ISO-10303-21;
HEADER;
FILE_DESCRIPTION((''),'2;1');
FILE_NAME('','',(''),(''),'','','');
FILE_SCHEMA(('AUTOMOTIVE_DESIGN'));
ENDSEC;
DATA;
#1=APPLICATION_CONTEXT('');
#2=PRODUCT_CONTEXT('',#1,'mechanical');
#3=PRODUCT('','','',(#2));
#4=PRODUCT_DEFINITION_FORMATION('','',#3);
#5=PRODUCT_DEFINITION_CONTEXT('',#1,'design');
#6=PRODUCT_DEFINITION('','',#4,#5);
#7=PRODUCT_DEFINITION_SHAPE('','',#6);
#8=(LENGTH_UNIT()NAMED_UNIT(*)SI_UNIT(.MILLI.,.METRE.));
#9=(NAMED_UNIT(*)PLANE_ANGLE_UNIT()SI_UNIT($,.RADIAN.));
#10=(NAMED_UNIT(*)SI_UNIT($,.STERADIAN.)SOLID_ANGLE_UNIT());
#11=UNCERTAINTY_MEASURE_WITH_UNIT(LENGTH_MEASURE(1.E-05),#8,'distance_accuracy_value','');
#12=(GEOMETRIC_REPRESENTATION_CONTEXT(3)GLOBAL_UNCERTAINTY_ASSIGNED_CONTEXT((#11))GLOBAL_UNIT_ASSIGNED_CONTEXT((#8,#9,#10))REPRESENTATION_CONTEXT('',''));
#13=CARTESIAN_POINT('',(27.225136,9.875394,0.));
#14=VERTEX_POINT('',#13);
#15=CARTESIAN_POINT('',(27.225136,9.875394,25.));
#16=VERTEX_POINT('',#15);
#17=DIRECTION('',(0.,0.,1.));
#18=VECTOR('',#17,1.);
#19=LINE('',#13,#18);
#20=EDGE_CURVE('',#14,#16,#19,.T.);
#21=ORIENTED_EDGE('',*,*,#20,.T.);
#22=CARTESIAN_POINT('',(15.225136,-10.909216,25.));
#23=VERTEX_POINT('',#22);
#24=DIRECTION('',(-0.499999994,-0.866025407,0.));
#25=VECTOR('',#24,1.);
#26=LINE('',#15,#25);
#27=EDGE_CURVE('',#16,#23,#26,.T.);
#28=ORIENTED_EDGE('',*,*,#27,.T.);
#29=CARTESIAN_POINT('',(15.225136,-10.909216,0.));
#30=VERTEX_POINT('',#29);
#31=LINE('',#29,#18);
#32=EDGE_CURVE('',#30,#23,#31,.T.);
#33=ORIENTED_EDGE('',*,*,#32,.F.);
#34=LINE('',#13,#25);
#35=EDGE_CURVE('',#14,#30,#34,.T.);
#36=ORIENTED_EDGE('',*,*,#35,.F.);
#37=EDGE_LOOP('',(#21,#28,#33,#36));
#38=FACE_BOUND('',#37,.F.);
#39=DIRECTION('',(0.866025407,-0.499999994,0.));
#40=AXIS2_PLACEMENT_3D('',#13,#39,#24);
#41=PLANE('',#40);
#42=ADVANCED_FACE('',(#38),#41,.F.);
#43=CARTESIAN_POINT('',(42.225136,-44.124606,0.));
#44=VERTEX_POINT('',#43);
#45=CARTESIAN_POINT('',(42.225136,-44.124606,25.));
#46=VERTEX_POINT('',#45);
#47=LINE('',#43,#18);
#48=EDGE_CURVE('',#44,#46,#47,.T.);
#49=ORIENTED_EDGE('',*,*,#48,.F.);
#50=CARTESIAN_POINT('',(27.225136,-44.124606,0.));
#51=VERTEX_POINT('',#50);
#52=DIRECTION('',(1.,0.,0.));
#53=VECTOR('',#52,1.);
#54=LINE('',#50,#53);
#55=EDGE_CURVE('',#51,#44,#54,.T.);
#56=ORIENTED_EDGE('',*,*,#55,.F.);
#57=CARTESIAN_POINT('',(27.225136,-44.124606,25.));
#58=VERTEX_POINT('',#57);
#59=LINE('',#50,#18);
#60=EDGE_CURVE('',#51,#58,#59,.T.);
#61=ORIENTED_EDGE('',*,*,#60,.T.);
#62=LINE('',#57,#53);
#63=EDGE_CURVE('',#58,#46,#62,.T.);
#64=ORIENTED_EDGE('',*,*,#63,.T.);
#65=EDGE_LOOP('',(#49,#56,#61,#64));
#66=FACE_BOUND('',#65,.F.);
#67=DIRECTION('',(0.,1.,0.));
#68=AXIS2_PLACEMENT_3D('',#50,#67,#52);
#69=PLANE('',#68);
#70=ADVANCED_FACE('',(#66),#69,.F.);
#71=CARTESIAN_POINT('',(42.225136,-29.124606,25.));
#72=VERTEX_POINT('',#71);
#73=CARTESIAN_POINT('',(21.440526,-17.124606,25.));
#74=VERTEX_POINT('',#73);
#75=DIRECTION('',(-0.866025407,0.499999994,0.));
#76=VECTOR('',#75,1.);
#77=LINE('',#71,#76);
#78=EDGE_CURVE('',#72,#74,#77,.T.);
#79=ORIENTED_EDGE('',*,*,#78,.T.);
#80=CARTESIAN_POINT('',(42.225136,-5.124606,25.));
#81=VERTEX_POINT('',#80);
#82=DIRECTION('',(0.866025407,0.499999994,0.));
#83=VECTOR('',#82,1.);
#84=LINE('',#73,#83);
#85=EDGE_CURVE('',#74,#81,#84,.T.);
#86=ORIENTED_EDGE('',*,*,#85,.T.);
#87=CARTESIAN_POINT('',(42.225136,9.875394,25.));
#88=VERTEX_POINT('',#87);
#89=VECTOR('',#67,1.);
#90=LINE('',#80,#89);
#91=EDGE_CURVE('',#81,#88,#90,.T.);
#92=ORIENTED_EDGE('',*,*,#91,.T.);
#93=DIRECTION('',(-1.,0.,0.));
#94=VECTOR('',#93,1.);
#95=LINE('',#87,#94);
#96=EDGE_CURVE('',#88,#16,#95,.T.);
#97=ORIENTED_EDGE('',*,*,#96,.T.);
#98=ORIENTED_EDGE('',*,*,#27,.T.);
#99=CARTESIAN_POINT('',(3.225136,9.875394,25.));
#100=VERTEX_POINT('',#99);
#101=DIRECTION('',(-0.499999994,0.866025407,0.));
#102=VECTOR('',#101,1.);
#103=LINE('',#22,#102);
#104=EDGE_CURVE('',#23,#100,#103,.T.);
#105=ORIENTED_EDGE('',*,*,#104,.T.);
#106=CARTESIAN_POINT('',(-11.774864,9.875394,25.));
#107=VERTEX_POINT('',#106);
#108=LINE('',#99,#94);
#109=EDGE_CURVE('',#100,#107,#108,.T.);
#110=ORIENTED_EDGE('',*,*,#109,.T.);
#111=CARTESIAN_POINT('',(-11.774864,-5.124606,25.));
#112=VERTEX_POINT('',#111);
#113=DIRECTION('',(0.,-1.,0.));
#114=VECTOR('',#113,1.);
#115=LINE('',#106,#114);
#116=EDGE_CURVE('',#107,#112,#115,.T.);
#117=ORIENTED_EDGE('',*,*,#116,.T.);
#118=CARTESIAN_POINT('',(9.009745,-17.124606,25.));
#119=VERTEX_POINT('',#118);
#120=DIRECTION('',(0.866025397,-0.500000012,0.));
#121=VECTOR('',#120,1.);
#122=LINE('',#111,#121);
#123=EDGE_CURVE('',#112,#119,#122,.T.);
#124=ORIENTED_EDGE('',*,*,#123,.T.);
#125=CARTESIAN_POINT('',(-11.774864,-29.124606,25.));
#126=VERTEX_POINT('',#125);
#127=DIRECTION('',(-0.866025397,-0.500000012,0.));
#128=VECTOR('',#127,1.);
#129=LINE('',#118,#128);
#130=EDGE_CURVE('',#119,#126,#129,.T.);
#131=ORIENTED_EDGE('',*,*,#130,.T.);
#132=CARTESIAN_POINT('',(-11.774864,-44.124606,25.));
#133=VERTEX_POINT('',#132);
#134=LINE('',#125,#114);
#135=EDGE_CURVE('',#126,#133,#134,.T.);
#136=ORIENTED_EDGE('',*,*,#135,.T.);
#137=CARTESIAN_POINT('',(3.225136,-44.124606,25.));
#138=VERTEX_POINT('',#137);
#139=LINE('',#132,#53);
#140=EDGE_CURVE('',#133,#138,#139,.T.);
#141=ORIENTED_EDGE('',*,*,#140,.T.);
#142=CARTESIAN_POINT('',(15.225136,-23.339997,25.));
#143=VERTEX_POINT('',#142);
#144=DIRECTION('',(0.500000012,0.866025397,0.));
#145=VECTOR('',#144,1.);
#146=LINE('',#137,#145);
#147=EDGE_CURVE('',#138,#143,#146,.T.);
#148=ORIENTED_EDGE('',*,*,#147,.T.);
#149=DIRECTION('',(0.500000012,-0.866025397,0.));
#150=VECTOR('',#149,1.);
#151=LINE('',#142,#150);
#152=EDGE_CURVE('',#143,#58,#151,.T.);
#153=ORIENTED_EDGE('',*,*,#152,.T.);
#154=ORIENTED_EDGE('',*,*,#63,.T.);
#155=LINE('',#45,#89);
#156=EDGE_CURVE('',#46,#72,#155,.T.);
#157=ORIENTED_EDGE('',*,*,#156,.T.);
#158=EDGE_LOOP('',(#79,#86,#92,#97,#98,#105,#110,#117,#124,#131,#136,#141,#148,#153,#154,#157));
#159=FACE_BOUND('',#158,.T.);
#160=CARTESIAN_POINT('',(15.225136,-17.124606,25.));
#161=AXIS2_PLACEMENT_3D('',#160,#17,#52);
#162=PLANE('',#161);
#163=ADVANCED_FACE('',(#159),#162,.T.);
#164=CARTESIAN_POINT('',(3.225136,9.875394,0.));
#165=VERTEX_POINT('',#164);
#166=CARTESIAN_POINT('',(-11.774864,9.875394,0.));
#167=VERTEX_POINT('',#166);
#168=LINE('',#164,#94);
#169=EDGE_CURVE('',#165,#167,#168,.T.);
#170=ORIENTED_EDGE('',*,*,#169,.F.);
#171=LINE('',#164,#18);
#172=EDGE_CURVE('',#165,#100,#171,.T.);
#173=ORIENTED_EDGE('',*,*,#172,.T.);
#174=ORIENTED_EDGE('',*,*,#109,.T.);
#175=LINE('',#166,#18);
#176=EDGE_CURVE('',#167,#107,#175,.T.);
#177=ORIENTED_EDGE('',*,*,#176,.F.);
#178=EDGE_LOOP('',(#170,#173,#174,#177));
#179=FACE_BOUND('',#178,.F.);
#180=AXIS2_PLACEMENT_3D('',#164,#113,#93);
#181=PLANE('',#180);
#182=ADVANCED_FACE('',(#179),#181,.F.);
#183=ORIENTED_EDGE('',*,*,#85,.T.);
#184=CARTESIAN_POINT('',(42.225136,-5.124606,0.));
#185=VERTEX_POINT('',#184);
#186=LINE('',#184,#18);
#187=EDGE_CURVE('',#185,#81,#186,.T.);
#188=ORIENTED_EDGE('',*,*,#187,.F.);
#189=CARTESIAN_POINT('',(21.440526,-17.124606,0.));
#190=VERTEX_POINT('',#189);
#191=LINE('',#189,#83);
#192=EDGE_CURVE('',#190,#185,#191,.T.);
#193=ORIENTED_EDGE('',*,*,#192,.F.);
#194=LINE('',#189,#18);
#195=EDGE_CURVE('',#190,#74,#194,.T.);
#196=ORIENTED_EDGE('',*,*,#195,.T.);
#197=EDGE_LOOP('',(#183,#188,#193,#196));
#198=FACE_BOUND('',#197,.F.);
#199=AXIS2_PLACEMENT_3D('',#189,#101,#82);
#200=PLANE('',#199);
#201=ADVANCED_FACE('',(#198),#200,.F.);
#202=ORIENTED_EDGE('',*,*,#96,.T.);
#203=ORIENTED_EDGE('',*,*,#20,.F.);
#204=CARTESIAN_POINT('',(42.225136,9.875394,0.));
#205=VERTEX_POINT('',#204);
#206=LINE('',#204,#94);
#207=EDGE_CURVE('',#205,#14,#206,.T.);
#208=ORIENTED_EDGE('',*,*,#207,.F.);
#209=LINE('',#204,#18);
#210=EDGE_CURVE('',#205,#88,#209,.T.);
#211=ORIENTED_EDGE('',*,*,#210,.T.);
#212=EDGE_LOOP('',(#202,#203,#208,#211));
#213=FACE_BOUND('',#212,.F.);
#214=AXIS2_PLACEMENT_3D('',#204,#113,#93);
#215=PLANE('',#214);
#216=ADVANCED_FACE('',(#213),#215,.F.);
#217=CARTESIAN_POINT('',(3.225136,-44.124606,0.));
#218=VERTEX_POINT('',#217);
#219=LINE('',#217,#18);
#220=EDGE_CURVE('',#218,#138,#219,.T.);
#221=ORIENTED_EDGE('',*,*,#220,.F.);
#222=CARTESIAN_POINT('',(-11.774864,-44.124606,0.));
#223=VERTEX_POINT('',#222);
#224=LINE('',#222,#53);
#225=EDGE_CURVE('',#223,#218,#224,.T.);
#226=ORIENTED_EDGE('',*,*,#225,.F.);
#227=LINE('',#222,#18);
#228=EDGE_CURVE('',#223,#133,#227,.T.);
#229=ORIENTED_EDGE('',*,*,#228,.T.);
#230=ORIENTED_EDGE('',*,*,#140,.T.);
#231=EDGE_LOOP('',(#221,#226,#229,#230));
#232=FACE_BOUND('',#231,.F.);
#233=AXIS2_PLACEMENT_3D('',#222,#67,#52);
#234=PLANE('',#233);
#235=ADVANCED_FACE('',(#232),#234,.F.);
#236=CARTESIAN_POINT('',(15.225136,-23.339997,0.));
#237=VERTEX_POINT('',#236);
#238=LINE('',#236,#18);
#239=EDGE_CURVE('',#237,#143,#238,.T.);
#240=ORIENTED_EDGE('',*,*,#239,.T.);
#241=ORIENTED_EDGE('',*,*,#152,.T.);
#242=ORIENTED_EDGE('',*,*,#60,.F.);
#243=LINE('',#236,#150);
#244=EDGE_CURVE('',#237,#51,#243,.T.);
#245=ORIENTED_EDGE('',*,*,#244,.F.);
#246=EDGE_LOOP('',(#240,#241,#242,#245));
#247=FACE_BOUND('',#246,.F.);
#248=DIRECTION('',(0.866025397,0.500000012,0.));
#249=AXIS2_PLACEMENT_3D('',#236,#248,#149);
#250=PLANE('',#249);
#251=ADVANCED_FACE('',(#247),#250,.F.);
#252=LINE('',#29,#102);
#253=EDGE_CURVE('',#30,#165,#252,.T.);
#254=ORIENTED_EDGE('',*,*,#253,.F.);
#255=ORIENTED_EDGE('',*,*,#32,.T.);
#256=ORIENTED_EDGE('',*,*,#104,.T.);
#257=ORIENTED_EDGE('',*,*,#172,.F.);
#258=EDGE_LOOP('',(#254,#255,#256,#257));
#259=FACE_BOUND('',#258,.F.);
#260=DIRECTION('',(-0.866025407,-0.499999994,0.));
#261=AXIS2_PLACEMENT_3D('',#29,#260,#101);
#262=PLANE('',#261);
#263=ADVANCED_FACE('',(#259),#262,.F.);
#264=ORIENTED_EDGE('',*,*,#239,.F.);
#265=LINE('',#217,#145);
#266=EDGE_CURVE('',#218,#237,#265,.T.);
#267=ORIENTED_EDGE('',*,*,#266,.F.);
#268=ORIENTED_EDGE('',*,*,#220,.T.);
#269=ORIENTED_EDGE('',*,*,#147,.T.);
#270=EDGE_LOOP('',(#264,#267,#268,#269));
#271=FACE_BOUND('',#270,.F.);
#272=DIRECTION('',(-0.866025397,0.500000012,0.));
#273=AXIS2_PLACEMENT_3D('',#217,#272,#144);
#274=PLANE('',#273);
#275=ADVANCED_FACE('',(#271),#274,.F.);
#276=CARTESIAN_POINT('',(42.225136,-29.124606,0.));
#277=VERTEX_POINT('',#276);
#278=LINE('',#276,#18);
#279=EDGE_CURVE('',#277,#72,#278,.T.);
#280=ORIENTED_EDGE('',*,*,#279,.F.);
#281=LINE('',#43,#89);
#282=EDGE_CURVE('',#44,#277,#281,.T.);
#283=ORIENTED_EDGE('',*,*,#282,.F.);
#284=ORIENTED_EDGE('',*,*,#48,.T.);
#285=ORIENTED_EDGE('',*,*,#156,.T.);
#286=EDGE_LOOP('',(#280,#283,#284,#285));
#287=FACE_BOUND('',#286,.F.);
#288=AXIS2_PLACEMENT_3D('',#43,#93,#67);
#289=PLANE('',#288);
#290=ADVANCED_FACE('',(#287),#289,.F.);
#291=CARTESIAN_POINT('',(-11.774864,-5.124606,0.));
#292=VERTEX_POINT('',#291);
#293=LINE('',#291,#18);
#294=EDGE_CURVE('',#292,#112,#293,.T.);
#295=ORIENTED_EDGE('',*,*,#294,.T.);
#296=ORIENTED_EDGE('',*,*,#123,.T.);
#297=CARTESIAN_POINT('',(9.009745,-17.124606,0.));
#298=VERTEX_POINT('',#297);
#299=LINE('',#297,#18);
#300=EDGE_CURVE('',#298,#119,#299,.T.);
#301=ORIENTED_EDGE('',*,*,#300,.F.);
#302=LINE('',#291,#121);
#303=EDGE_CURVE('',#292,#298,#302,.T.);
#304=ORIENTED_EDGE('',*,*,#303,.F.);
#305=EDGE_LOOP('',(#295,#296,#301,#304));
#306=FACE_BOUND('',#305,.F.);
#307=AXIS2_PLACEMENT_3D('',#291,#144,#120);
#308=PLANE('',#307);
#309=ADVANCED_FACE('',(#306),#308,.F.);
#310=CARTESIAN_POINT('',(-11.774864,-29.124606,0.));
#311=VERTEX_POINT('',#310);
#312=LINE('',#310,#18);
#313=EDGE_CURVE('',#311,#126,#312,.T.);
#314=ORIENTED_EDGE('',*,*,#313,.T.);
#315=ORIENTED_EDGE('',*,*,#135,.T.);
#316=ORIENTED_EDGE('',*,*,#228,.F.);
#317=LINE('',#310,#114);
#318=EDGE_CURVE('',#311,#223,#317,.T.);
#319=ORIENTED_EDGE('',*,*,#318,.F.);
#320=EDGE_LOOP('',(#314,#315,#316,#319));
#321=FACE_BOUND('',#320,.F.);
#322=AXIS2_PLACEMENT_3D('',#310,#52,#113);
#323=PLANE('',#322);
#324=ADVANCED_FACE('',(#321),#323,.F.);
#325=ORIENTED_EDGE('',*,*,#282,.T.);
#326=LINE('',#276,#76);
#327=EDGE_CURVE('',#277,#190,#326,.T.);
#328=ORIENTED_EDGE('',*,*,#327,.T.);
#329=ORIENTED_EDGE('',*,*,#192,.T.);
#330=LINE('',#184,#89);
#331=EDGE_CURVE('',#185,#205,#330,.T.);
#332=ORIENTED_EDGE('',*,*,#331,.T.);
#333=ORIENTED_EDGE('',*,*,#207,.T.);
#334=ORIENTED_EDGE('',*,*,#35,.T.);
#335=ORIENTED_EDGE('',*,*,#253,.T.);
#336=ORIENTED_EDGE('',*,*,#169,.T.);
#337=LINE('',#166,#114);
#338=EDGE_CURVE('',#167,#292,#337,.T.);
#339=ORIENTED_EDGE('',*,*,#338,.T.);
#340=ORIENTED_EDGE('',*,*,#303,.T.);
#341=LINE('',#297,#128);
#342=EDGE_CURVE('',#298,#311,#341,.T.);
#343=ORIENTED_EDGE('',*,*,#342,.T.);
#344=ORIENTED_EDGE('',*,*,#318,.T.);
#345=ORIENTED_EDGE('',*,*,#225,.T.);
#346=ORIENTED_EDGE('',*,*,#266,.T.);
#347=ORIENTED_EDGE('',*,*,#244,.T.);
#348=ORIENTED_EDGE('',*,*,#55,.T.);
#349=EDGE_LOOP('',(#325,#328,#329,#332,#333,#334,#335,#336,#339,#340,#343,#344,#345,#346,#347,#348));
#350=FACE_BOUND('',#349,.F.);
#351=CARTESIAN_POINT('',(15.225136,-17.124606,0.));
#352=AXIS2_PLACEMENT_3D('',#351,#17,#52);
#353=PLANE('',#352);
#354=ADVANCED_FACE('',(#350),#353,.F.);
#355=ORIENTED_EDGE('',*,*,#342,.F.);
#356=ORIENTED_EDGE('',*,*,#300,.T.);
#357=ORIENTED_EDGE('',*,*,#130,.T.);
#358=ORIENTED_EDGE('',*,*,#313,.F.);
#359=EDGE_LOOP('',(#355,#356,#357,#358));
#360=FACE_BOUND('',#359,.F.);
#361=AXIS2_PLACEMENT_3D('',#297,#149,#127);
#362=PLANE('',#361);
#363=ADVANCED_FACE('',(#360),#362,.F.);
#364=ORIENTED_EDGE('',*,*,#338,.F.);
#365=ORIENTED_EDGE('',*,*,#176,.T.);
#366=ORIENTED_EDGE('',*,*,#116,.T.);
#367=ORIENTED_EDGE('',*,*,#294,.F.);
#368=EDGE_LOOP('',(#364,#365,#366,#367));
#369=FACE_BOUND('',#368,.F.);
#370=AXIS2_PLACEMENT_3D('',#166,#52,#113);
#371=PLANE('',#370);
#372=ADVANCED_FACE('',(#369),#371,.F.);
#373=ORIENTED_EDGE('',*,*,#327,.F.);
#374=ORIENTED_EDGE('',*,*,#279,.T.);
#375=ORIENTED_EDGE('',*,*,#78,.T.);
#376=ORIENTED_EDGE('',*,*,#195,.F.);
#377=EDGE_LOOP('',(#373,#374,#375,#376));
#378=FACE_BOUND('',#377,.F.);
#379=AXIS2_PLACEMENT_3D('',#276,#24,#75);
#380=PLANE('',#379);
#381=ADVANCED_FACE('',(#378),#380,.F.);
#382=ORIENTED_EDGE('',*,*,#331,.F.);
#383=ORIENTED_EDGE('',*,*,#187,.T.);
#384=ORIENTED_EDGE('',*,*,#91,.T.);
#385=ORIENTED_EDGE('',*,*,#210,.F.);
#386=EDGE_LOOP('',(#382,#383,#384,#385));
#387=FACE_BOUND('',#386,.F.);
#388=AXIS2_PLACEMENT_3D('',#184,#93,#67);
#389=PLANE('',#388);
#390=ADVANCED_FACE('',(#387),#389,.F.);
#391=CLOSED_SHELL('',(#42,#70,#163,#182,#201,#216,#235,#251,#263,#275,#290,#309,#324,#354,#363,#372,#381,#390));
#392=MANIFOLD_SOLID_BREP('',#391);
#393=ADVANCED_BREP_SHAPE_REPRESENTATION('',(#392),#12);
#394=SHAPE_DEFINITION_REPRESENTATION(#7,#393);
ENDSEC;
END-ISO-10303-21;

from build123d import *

# Parameters (mm, degrees)
F1_DEPTH = 25


with BuildPart() as f1:
    # F0 (on Top) → F1 (new body)
    with BuildSketch(Plane.XY):
        Polygon((-11.774864, -29.124606), (-11.774864, -44.124606), (3.225136, -44.124606), (15.225136, -23.339997), (27.225136, -44.124606), (42.225136, -44.124606), (42.225136, -29.124606), (21.440526, -17.124606), (42.225136, -5.124606), (42.225136, 9.875394), (27.225136, 9.875394), (15.225136, -10.909216), (3.225136, 9.875394), (-11.774864, 9.875394), (-11.774864, -5.124606), (9.009745, -17.124606), align=None)
    extrude(amount=F1_DEPTH)


solid = f1.part
